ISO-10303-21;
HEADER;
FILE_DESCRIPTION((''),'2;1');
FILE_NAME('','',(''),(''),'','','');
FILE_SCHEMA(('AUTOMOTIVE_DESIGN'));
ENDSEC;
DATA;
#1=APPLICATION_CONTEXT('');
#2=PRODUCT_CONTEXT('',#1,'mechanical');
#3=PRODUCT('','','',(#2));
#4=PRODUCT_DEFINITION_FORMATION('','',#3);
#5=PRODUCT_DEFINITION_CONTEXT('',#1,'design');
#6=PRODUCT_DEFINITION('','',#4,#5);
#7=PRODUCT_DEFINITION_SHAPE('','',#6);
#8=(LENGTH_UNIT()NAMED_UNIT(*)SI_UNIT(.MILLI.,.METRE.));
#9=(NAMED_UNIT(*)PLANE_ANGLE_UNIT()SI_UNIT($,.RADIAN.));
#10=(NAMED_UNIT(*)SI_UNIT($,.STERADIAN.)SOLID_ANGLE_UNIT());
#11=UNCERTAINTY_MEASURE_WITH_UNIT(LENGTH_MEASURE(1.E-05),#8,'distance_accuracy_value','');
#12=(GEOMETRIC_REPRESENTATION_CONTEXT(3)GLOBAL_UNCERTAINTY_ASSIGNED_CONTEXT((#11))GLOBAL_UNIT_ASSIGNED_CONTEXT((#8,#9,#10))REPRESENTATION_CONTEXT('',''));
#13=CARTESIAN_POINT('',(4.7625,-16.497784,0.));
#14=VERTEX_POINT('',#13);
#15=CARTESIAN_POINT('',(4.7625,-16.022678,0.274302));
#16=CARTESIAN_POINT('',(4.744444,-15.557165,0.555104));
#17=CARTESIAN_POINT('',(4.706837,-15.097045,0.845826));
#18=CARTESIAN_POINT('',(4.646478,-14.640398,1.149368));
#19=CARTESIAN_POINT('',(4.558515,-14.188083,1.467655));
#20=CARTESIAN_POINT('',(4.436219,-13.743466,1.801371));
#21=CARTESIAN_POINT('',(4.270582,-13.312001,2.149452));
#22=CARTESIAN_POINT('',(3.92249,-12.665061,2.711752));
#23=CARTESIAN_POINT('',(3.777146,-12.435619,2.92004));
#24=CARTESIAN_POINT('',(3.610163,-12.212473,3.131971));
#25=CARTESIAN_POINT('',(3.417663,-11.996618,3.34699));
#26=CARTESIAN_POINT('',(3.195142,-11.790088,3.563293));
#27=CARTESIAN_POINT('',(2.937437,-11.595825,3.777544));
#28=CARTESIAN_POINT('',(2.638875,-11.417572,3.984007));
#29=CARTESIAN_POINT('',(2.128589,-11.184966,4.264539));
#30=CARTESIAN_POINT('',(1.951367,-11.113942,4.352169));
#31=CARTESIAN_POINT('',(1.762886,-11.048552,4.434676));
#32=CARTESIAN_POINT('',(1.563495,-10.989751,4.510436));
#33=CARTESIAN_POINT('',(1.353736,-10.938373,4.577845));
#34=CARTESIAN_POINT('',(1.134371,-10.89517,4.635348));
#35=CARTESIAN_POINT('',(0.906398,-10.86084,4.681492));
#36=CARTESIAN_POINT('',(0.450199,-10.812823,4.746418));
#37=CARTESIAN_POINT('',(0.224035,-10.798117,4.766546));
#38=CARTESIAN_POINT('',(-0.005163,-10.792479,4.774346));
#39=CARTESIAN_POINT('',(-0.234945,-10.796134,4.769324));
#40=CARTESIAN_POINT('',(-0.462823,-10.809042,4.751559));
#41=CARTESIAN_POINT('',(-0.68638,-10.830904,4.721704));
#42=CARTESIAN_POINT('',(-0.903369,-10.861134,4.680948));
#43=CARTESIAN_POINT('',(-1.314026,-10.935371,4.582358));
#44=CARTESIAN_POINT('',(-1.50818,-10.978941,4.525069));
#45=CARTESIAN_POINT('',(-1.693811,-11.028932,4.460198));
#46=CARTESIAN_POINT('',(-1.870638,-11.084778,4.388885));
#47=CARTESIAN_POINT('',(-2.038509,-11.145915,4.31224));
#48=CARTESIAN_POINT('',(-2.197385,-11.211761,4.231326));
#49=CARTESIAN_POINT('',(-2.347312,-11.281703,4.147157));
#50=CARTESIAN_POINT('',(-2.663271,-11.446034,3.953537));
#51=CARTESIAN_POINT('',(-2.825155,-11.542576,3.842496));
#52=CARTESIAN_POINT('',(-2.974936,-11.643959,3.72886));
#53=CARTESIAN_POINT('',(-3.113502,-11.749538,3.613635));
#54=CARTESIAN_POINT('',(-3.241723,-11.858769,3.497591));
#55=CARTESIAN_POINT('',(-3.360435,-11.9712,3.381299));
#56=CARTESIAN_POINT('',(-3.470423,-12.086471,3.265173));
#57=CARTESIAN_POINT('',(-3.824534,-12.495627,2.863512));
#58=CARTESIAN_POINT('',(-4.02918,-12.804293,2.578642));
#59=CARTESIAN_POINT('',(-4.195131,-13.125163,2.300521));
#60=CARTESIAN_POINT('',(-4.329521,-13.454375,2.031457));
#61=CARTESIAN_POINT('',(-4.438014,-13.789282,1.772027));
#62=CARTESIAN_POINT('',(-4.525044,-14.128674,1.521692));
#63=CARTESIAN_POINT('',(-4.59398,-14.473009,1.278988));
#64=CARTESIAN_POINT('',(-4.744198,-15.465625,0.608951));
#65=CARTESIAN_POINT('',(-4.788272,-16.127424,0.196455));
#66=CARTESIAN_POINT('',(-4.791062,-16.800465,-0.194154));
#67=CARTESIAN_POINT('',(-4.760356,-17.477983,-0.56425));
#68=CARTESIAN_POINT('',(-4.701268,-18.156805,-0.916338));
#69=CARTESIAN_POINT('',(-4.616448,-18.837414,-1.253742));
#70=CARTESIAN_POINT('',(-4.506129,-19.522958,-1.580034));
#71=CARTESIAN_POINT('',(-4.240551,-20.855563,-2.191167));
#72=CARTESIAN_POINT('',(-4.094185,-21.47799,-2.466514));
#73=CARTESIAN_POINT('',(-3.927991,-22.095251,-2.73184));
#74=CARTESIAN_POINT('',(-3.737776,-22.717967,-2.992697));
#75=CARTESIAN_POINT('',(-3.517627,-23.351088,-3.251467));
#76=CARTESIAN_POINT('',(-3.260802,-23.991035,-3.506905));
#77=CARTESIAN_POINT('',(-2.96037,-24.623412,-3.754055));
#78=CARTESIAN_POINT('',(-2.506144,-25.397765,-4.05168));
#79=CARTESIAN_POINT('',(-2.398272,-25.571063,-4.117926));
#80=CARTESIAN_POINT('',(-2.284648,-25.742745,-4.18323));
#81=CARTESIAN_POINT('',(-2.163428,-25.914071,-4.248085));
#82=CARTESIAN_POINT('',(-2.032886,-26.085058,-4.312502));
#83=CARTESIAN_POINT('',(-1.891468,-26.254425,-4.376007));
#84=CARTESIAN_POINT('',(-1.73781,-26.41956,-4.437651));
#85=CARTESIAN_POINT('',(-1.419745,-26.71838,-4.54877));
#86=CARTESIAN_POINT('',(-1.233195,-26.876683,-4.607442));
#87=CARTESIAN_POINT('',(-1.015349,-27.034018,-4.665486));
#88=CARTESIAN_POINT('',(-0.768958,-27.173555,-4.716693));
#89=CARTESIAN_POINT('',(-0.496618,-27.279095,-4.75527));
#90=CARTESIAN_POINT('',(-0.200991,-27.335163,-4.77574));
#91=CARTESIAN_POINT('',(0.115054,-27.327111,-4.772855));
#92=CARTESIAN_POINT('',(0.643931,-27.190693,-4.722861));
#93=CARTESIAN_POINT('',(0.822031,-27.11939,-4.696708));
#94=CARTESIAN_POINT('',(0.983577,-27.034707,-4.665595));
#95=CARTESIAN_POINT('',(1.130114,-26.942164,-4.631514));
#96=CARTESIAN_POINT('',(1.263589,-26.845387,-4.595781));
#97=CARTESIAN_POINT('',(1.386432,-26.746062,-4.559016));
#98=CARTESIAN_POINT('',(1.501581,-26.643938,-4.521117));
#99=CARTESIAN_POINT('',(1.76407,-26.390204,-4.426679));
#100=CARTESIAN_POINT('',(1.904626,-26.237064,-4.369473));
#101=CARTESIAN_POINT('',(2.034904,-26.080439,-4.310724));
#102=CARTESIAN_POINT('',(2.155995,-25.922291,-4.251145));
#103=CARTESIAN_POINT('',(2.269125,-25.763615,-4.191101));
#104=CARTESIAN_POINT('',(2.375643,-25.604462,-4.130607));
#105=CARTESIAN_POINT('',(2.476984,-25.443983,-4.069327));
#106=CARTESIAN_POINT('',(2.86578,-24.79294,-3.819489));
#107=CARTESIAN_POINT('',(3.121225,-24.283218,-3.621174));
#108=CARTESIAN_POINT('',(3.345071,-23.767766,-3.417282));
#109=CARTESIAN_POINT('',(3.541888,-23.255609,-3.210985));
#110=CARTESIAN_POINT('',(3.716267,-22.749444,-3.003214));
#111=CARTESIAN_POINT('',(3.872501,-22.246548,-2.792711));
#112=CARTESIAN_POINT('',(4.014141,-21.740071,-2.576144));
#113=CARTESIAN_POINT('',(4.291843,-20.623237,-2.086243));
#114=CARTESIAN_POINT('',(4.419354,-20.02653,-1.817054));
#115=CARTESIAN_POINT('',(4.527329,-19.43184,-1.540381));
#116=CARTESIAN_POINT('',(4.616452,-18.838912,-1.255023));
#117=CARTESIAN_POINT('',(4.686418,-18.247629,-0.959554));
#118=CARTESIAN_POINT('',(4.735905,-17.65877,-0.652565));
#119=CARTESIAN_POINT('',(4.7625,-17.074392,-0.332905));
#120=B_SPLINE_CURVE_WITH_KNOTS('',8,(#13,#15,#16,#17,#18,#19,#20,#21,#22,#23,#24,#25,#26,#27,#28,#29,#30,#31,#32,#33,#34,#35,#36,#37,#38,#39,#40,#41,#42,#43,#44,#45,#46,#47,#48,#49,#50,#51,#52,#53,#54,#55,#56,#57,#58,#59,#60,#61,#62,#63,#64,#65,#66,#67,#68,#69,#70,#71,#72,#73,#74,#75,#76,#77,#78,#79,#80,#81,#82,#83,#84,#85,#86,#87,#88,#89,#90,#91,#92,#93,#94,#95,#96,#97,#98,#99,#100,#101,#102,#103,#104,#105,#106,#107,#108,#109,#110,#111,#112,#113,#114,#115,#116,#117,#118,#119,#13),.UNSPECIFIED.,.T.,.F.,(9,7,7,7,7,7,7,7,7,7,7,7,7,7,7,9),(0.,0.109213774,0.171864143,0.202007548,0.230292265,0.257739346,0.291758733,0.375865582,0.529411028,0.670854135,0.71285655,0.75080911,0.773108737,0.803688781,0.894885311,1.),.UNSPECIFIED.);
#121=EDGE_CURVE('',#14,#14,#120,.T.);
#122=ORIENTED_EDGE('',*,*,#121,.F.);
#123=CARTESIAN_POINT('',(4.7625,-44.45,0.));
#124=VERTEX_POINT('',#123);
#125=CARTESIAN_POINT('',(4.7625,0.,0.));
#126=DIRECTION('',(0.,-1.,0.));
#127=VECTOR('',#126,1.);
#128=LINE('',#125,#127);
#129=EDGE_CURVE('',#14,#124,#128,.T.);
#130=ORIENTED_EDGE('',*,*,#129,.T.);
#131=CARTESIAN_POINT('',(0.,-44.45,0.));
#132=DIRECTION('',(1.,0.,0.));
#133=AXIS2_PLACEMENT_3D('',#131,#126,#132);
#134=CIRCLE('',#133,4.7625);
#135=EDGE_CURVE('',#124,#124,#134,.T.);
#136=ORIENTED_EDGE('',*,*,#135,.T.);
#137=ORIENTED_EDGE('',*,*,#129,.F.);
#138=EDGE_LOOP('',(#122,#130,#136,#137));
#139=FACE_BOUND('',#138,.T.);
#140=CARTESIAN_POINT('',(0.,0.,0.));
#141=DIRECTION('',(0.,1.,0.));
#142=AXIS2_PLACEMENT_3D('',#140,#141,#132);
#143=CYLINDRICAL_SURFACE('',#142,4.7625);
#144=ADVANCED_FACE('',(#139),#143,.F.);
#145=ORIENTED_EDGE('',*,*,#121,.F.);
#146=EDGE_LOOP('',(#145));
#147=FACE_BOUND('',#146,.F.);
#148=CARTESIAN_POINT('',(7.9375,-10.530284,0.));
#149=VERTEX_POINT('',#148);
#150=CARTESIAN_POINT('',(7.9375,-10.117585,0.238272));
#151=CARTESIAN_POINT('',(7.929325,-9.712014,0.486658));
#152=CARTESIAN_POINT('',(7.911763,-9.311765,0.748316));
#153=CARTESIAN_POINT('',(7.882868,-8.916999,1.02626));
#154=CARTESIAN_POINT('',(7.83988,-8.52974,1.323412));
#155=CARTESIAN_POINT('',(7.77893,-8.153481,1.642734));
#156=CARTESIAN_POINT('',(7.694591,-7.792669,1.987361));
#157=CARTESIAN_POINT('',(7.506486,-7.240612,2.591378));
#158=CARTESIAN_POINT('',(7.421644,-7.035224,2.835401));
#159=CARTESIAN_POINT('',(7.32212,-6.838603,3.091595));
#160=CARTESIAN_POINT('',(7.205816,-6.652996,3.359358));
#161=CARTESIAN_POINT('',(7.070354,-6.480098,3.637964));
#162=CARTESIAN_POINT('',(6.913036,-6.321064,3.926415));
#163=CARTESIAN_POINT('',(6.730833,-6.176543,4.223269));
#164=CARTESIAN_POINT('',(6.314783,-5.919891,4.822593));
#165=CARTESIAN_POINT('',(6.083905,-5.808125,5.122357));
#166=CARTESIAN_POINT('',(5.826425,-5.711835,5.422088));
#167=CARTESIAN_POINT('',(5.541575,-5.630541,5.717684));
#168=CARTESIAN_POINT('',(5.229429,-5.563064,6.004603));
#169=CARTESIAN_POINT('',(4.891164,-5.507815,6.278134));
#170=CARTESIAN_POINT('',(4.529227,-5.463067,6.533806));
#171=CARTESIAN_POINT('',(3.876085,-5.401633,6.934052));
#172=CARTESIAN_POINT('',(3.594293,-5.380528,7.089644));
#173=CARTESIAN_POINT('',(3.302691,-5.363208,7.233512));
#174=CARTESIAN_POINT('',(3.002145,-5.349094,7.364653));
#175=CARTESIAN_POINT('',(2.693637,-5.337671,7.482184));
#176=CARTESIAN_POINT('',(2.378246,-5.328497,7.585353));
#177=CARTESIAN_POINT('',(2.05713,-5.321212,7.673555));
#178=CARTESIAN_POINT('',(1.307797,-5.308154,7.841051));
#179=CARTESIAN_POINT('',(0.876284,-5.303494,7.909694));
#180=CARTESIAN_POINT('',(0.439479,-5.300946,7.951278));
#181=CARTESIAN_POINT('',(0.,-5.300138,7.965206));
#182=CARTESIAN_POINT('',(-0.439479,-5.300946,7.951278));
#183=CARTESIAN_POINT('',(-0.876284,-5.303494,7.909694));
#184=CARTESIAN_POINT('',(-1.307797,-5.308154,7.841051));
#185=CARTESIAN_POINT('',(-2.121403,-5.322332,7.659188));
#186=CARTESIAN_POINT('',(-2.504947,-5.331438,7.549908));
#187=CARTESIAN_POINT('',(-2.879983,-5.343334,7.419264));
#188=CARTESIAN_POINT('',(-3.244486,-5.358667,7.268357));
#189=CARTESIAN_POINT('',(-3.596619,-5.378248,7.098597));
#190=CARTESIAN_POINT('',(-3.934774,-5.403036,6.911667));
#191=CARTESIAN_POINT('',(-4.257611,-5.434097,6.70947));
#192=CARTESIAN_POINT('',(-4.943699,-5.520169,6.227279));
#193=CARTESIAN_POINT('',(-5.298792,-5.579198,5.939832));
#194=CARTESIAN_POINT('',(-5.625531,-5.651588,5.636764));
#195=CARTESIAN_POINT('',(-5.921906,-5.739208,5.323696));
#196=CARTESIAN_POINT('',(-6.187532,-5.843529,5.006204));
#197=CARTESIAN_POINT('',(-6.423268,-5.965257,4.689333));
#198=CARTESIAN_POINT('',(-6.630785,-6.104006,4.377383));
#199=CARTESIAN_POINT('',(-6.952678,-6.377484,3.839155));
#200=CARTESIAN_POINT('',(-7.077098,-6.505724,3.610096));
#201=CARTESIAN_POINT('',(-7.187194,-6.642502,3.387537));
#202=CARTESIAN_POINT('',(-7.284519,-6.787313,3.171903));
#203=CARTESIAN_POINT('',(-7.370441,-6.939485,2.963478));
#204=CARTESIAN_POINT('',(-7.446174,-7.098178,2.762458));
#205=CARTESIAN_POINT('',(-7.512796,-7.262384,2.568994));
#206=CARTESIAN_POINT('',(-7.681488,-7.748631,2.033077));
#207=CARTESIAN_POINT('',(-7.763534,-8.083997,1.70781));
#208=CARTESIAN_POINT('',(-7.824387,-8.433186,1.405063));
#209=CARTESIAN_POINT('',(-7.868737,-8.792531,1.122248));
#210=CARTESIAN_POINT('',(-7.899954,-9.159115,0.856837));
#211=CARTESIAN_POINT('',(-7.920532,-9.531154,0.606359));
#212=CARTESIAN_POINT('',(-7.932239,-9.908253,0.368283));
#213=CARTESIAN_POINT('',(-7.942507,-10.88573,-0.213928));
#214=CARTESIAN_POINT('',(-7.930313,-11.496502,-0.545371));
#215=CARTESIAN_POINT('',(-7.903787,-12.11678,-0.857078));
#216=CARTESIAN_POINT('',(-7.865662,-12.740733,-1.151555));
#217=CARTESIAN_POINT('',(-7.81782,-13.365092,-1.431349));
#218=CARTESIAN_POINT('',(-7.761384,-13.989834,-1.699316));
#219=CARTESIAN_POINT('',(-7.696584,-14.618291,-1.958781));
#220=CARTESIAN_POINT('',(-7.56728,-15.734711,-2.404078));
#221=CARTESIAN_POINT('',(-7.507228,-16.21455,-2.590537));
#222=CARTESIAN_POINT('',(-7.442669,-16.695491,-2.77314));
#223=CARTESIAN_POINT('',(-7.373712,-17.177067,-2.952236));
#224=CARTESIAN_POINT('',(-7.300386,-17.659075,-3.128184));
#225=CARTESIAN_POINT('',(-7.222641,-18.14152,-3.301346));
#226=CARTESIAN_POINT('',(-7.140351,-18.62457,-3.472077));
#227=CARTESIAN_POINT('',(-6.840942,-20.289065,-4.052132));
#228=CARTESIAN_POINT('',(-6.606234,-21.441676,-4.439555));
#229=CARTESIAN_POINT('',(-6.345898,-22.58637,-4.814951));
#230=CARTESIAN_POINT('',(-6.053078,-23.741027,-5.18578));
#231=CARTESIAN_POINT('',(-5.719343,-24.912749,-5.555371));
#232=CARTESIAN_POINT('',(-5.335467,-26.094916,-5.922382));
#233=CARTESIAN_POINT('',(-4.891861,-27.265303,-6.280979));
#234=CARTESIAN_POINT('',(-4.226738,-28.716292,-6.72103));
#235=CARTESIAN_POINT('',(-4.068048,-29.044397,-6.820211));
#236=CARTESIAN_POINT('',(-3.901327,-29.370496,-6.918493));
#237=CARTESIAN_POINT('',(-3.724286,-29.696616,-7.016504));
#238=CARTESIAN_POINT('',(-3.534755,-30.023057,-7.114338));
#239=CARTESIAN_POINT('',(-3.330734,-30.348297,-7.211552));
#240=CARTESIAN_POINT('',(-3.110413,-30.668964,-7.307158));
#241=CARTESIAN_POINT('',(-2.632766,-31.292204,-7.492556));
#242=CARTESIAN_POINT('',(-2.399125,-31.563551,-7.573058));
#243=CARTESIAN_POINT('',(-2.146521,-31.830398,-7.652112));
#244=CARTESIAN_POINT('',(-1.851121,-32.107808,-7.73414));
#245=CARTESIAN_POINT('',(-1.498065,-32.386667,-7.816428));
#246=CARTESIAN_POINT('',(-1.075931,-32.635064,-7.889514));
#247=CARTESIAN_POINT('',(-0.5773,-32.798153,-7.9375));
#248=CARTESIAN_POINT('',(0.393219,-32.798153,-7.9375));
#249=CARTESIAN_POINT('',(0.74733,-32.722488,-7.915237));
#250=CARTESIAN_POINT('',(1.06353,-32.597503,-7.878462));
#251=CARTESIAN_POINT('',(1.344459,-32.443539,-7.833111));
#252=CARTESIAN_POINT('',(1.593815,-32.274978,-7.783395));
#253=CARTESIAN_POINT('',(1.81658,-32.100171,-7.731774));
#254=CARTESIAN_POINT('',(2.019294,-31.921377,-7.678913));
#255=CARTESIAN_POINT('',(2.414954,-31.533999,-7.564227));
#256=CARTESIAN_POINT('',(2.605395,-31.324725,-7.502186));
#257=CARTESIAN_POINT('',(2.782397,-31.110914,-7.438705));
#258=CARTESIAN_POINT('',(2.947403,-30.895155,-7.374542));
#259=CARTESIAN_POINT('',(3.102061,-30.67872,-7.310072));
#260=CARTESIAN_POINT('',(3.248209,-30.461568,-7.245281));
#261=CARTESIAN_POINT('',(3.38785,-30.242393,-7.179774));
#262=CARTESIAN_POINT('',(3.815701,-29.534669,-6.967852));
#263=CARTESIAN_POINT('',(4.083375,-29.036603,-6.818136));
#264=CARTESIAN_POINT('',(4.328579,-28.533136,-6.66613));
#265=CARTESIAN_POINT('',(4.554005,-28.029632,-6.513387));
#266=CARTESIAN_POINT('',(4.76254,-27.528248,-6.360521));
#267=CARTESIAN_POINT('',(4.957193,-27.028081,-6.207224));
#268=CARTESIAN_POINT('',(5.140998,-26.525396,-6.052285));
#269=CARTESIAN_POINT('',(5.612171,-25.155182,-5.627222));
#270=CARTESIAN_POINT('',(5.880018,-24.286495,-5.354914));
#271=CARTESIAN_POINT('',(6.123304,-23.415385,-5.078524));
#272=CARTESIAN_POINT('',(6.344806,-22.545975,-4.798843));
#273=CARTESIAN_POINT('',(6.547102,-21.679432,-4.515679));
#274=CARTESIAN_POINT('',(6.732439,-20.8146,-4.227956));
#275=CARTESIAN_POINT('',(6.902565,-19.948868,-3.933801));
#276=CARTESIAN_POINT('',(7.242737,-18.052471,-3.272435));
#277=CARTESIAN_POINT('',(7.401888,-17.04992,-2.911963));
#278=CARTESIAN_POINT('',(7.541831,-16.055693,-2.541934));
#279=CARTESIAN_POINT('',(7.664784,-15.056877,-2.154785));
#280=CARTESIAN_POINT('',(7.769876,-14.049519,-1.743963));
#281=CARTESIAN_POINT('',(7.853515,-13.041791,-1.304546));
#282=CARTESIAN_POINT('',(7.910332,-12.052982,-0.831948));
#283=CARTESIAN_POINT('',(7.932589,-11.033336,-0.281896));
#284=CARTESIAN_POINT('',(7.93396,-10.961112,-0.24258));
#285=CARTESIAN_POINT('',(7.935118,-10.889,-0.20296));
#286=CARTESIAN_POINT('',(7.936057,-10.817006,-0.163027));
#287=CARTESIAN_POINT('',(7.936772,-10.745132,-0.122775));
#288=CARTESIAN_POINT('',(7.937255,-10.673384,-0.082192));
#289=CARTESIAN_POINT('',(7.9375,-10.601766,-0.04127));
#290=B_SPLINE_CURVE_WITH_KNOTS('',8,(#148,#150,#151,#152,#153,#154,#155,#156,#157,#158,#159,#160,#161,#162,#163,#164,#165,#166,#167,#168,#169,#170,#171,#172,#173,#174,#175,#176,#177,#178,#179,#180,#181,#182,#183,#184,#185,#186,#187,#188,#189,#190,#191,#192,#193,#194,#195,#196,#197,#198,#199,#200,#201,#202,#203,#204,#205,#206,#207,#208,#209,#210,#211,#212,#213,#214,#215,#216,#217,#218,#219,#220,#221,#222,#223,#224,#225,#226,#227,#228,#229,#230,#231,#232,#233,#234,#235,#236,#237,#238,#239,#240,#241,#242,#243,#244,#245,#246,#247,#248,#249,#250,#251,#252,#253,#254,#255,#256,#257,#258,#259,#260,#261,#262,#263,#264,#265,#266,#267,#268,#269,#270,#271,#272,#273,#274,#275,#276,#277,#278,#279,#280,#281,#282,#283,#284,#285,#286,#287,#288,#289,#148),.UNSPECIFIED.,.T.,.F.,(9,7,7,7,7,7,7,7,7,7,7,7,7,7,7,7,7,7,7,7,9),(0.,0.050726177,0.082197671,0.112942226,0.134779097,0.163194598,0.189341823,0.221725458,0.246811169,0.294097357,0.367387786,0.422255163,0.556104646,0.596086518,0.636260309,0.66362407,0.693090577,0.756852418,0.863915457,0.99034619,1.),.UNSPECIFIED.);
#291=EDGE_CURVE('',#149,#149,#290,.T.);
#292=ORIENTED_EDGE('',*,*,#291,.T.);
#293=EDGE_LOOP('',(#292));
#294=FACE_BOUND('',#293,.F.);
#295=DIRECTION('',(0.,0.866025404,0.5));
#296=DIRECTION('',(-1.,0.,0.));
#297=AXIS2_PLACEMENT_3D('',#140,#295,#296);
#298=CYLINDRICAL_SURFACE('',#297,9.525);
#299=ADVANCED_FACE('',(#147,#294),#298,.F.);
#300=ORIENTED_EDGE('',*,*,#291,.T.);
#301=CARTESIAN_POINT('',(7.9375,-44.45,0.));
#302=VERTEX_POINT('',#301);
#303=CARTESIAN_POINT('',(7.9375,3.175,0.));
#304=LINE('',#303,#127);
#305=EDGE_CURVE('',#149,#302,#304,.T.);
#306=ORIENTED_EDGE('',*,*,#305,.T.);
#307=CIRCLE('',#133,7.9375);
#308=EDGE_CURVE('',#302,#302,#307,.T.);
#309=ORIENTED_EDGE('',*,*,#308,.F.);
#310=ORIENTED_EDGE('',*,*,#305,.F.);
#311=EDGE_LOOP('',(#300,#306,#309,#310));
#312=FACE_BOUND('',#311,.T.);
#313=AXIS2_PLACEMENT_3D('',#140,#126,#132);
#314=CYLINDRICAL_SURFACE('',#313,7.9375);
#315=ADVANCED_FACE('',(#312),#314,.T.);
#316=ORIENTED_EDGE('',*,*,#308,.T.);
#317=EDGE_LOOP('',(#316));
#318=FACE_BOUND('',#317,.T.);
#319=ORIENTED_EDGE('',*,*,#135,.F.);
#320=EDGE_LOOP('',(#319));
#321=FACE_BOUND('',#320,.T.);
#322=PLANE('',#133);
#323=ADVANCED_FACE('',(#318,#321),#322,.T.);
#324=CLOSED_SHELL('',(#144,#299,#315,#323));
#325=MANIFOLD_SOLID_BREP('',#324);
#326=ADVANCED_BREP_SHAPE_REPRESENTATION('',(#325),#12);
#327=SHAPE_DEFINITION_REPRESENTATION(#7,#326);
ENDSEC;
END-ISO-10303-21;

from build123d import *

# Parameters (mm, degrees)
F0_R          = 7.9375
F0_R_2        = 4.7625
F1_DEPTH      = 44.45
F1_DEPTH_BACK = 3.175
F4_R          = 9.525
F5_DEPTH      = 42.4645791982
F5_DEPTH_BACK = 6.719380657


with BuildPart() as f1:
    # F0 (on Front) → F1 (new body, two sides)
    with BuildSketch(Plane.XZ) as f1_sk:
        Circle(F0_R)
        Circle(F0_R_2, mode=Mode.SUBTRACT)
    extrude(amount=F1_DEPTH)
    extrude(f1_sk.sketch, amount=-F1_DEPTH_BACK)

    # F4 (on face) → F5 (cut, two sides)
    with BuildSketch(Plane(origin=(0, 0, 0), x_dir=(-1, 0, 0), z_dir=(0, 0.8660254038, 0.5))) as f5_sk:
        Circle(F4_R)
    extrude(amount=-F5_DEPTH, mode=Mode.SUBTRACT)
    extrude(f5_sk.sketch, amount=F5_DEPTH_BACK, mode=Mode.SUBTRACT)


solid = f1.part
